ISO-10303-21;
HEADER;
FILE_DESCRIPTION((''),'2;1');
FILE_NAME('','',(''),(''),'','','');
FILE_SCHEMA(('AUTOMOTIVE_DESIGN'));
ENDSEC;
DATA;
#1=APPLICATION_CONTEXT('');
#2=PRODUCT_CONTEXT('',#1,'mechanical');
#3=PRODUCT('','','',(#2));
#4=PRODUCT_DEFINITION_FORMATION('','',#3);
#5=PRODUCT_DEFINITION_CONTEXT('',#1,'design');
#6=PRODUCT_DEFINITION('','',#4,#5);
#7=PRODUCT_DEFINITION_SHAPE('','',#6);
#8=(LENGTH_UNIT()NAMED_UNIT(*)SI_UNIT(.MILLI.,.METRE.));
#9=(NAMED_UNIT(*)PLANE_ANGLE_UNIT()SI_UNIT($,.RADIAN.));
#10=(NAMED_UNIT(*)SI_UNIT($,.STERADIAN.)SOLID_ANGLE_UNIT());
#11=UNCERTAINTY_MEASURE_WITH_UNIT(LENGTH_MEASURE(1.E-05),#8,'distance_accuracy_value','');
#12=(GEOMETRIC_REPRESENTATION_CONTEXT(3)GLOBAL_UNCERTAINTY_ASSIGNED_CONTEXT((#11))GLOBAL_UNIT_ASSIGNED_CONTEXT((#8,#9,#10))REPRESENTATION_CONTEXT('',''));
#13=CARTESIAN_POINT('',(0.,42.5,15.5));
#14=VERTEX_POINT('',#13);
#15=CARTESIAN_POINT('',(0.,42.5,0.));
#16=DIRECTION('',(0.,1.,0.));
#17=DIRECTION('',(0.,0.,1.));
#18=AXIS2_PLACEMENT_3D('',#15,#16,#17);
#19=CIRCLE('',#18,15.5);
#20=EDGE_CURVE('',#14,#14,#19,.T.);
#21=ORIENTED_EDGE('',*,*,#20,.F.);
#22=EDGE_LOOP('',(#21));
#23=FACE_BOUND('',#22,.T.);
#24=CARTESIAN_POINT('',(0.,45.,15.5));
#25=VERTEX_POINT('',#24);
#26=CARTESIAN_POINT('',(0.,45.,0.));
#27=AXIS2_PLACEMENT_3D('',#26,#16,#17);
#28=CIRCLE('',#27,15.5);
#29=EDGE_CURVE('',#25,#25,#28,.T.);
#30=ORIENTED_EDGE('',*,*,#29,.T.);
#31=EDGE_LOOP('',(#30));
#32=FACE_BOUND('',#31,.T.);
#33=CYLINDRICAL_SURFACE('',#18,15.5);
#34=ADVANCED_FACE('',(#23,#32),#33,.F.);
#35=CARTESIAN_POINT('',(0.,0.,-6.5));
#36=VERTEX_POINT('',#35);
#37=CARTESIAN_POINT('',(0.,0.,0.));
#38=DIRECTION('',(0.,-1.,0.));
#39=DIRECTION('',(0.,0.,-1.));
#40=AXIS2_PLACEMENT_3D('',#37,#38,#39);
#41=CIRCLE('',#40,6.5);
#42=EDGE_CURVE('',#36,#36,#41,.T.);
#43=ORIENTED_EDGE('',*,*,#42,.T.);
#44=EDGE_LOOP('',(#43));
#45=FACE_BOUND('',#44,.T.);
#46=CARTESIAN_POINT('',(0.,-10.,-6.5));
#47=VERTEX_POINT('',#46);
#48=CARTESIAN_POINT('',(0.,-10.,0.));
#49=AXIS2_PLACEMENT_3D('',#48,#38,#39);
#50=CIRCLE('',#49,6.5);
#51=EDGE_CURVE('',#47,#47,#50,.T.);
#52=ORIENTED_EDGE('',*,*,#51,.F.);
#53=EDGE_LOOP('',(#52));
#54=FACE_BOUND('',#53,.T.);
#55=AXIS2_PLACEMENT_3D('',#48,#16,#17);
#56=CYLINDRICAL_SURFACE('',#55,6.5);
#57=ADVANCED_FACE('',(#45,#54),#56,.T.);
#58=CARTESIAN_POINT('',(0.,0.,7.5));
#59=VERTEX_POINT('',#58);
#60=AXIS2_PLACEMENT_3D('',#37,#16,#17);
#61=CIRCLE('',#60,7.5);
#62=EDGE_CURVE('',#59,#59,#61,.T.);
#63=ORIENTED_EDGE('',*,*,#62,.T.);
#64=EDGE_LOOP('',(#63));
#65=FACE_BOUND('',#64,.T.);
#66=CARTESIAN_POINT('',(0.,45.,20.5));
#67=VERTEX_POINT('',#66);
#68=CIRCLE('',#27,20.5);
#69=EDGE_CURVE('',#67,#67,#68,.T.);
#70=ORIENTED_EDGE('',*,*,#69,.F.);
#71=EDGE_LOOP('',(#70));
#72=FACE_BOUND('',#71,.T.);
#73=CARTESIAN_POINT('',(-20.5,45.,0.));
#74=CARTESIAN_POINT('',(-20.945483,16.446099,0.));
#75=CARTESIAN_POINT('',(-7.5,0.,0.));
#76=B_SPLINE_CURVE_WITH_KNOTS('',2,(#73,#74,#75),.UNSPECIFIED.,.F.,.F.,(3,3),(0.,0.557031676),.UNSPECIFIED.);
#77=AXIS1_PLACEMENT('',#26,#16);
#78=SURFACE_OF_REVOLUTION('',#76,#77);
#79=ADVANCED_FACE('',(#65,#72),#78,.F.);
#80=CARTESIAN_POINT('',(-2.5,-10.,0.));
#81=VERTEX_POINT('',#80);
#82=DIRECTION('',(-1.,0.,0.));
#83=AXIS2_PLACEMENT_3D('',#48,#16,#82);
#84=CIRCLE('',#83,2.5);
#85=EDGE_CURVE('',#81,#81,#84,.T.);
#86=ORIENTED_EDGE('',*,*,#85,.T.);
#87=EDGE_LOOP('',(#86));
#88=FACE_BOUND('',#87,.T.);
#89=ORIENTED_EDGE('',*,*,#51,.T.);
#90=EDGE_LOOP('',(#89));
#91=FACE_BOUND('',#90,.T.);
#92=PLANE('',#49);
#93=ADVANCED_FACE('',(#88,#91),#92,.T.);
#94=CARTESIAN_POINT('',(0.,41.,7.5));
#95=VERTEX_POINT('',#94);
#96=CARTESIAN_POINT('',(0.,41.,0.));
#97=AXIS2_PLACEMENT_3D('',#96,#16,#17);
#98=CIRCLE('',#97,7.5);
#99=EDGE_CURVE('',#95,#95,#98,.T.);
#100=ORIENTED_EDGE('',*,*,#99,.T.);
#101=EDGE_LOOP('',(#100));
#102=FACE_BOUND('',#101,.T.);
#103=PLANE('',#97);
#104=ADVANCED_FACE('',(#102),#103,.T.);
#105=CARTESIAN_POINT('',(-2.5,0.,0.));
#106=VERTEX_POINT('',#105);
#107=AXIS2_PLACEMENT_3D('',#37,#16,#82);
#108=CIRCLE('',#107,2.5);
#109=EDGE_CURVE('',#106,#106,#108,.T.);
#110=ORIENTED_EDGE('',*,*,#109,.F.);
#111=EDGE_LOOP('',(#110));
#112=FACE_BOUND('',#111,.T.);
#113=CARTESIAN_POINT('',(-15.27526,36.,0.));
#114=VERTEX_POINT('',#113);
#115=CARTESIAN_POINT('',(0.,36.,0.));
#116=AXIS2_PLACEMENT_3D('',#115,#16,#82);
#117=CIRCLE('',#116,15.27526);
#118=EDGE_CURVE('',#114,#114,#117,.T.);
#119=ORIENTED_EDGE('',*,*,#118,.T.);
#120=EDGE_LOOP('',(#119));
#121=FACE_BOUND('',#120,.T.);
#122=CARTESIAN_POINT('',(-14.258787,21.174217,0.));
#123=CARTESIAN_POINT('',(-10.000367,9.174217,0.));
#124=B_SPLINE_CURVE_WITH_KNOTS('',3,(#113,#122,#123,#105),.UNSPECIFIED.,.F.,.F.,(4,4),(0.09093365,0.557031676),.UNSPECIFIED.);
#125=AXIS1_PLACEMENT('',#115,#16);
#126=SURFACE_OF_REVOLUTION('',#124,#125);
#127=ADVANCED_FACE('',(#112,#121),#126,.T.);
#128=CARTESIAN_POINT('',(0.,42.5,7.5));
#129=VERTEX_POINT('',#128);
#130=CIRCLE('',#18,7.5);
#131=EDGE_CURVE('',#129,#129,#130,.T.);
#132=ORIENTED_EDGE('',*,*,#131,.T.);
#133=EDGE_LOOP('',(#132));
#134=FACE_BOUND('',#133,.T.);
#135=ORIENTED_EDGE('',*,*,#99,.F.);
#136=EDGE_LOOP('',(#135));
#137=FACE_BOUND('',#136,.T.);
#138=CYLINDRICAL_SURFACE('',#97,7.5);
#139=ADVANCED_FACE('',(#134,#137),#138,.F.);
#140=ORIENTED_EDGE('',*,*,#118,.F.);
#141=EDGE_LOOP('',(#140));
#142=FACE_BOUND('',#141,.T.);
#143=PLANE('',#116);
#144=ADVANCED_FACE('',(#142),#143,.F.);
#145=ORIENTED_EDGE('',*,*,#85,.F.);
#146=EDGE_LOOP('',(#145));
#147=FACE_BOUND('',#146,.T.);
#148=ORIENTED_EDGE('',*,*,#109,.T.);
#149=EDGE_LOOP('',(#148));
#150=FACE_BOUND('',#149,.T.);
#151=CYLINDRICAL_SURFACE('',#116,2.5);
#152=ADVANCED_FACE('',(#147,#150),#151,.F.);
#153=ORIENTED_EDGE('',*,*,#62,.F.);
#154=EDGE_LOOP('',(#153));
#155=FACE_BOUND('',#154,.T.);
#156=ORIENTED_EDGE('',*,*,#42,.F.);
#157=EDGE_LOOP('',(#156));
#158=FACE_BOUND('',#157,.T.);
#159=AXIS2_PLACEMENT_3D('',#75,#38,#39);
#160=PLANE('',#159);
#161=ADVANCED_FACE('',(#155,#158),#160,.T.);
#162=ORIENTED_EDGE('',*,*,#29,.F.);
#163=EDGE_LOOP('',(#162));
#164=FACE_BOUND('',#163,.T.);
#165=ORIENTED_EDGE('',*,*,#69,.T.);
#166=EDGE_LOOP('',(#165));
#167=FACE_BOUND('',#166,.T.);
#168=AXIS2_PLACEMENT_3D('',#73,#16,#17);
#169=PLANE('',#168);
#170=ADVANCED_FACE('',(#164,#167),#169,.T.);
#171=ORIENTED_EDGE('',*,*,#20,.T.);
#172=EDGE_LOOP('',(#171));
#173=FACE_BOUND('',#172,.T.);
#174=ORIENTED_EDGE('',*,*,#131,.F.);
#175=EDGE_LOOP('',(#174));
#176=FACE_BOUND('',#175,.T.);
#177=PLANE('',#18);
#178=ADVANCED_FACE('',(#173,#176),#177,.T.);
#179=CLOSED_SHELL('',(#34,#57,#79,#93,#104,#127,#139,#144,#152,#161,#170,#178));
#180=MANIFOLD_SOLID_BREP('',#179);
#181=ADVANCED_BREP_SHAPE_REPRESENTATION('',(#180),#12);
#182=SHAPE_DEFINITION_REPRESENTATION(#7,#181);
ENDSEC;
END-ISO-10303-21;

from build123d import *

# Parameters (mm, degrees)
SKETCH2_R           = 15.5
CUT_EXTRUDE1_DEPTH  = 2.5
SKETCH3_R           = 7.5
CUT_EXTRUDE2_DEPTH  = 4
SKETCH4_R           = 6.5
BOSS_EXTRUDE1_DEPTH = 10


with BuildPart() as part:
    # Sketch1 → Revolve1 (revolve)
    with BuildSketch(Plane.XY):
        with BuildLine():
            Line((0, 45), (0, 0))
            Line((0, 0), (-7.5, 0))
            add(Edge.make_bspline(
                [(-20.5, 45), (-20.945482832, 16.446098589), (-7.5, 0)],
                knots=[0, 0, 0, 0.557031676, 0.557031676, 0.557031676], degree=2))
            Line((-20.5, 45), (0, 45))
        make_face()
    revolve(axis=Axis((0, 45, 0), (0, -1, 0)))

    # Sketch2 → Cut-Extrude1 (cut)
    with BuildSketch(Plane(origin=(0, 45, 0), x_dir=(1, 0, 0), z_dir=(0, 1, 0))):
        with Locations(Location((0, 0, 0), (0, 0, 270))):
            Circle(SKETCH2_R)
    extrude(amount=-CUT_EXTRUDE1_DEPTH, mode=Mode.SUBTRACT)

    # Sketch3 → Cut-Extrude2 (cut)
    with BuildSketch(Plane(origin=(0, 45, 0), x_dir=(1, 0, 0), z_dir=(0, 1, 0))):
        with Locations(Location((0, 0, 0), (0, 0, 270))):
            Circle(SKETCH3_R)
    extrude(amount=-CUT_EXTRUDE2_DEPTH, mode=Mode.SUBTRACT)

    # Sketch4 → Boss-Extrude1 (add)
    with BuildSketch(Plane.XZ):
        with Locations(Location((0, 0, 0), (0, 0, 270))):
            Circle(SKETCH4_R)
    extrude(amount=BOSS_EXTRUDE1_DEPTH)

    # Sketch6 → Cut-Revolve1 (revolve, cut)
    with BuildSketch(Plane.XY):
        with BuildLine():
            Line((0, 36), (0, 0))
            Line((0, 0), (0, -10))
            Line((0, -10), (-2.5, -10))
            Line((-2.5, -10), (-2.5, 0))
            add(Edge.make_bspline(
                [(-15.275259687, 36), (-14.25878691, 21.174216867), (-10.000367015, 9.174216867), (-2.5, 0)],
                knots=[0.09093365, 0.09093365, 0.09093365, 0.09093365, 0.557031676, 0.557031676, 0.557031676, 0.557031676], degree=3))
            Line((-15.275259687, 36), (0, 36))
        make_face()
    revolve(axis=Axis((0, 36, 0), (0, -1, 0)), mode=Mode.SUBTRACT)


solid = part.part
